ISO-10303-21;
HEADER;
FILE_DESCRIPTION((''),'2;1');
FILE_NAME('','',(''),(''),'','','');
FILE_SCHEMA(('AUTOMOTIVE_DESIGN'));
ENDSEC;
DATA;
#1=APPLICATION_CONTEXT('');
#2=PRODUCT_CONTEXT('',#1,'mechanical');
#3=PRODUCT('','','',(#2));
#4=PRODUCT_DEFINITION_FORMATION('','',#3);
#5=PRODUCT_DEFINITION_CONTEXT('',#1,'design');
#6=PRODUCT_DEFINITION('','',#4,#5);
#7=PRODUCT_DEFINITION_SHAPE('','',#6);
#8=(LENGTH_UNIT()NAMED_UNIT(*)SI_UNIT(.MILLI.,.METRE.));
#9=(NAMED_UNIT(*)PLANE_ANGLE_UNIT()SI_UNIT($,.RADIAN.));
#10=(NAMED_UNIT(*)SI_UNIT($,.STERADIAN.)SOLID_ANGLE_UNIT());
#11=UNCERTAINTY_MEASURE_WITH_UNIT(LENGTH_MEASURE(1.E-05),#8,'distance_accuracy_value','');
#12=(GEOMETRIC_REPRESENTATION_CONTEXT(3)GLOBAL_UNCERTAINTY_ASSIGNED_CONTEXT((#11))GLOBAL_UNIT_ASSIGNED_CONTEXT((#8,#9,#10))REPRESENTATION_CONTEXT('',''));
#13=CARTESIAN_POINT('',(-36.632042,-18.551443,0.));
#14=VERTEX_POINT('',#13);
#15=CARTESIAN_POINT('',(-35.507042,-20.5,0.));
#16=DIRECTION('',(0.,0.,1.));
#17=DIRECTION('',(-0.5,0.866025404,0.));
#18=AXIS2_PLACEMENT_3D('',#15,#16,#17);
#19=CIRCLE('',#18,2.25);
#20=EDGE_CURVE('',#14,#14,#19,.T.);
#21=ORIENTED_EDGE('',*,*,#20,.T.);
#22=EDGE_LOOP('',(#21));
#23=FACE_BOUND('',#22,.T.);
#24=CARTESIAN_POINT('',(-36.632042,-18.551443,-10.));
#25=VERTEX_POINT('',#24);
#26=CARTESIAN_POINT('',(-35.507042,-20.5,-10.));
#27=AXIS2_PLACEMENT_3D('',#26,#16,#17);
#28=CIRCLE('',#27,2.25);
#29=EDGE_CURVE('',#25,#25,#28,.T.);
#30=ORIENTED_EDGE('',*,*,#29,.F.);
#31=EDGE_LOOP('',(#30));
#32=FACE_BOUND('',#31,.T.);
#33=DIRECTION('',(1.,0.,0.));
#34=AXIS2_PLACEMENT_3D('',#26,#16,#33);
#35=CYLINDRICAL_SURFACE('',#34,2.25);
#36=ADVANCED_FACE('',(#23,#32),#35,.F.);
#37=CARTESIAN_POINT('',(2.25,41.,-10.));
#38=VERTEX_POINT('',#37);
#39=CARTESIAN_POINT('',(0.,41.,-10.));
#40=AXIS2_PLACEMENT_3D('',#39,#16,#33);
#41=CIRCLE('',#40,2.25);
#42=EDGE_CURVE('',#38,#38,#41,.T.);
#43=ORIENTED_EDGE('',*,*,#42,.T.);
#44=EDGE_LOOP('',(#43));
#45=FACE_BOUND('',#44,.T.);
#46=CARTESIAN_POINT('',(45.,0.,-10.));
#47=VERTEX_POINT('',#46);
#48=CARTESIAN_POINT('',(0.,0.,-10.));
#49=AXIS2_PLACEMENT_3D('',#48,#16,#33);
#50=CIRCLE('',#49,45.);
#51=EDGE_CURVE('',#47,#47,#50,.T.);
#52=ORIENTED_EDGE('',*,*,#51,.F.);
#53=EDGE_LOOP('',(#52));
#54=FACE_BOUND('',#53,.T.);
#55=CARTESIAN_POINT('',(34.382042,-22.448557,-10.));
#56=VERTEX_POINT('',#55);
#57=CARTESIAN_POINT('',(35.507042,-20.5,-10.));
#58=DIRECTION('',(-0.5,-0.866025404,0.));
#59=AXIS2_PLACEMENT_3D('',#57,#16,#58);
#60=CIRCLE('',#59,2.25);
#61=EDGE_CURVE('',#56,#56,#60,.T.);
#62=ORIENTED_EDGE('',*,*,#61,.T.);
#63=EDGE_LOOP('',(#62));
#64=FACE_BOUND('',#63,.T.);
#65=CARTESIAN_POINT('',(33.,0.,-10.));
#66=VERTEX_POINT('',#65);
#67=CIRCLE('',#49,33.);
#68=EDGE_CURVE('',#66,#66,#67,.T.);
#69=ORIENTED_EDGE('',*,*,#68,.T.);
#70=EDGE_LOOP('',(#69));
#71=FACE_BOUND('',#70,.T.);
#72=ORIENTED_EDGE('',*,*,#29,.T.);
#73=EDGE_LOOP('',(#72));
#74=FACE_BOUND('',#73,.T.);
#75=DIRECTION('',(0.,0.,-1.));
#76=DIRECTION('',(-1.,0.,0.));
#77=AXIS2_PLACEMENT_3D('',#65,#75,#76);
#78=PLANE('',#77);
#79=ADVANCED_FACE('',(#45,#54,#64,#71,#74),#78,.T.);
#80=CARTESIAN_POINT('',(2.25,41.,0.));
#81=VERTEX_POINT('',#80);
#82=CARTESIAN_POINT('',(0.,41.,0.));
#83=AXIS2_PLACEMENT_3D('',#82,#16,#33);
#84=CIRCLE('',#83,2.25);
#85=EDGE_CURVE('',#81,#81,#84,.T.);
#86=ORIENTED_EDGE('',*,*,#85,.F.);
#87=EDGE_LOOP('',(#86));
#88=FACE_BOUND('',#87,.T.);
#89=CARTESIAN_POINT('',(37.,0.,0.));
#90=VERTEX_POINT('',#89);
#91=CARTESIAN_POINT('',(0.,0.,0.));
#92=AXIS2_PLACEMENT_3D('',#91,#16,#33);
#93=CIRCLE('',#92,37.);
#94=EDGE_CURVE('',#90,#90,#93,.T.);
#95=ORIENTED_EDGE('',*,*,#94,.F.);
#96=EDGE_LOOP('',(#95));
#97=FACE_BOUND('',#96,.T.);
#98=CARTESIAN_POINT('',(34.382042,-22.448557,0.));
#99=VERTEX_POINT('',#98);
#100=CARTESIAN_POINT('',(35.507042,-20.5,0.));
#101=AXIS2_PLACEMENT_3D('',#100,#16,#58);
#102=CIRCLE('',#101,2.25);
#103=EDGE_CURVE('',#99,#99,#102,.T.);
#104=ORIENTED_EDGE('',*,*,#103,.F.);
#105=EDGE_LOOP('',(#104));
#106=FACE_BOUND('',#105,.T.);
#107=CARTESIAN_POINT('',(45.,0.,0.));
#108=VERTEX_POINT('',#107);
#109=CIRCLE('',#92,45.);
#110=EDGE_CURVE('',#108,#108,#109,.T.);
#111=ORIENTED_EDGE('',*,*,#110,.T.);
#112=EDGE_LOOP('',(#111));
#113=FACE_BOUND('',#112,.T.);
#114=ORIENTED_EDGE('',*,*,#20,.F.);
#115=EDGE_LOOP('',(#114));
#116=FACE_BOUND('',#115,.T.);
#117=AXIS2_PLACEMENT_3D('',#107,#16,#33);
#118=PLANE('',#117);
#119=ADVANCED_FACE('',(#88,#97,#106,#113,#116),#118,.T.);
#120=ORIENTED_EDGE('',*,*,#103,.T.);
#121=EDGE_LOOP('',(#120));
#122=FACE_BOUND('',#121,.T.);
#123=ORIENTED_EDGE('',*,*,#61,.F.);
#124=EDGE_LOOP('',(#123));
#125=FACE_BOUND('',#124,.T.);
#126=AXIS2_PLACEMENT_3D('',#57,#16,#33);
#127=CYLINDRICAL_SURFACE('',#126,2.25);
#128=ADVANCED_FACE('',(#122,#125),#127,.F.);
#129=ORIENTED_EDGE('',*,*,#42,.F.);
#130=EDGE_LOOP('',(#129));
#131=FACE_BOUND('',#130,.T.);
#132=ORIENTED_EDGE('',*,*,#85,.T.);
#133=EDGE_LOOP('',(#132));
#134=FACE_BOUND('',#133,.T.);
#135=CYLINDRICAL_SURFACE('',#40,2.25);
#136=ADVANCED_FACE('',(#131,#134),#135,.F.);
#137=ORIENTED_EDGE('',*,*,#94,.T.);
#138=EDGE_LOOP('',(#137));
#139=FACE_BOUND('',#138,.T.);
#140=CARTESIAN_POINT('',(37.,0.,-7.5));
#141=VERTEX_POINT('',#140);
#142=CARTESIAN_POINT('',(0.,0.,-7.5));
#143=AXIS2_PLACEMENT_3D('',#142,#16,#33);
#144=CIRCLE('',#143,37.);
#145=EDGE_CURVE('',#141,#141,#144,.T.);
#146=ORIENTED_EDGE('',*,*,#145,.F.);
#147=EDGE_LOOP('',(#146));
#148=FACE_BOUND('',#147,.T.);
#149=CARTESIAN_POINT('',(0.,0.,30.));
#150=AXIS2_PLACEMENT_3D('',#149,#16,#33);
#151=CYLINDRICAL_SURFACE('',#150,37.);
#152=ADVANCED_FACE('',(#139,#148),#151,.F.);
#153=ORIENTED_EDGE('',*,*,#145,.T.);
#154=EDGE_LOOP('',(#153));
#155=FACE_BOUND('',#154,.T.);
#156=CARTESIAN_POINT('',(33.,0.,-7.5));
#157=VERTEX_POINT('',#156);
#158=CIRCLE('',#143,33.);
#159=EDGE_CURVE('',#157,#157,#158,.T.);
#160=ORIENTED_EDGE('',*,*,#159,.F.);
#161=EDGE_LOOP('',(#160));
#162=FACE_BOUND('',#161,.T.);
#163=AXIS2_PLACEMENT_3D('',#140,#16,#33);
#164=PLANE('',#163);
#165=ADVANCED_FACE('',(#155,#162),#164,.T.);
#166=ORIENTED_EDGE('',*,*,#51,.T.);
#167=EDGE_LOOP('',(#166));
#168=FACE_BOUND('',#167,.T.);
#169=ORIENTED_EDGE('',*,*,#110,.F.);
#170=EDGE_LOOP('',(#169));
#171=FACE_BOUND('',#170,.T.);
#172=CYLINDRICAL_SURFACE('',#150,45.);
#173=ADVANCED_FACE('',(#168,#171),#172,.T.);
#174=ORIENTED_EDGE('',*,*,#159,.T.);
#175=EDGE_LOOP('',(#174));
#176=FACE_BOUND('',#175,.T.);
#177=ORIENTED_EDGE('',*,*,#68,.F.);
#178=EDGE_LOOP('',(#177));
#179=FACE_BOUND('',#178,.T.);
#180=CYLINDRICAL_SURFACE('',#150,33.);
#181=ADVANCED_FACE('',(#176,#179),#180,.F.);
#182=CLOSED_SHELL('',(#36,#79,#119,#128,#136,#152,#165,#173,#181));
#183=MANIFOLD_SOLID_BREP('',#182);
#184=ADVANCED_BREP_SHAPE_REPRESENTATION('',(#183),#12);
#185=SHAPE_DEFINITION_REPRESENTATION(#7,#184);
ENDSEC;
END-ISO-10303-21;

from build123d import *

# Parameters (mm, degrees)
ESQUISSE2_R                  = 2.25
ENL_V_MAT_EXTRU_1_DEPTH      = 65.420493634
R_P_TITION_CIRCULAIRE1_COUNT = 3


with BuildPart() as part:
    # Esquisse1 → Base-Révolution (revolve)
    with BuildSketch(Plane(origin=(0, 0, 0), x_dir=(1, 0, 0), z_dir=(0, 1, 0))):
        Polygon((33, 10), (45, 10), (45, 0), (37, 0), (37, 7.5), (33, 7.5), align=None)
    revolve(axis=Axis((0, 0, 30), (0, 0, -1)))

    # Esquisse2 → Enlèv. mat.-Extru.1 (cut, through all)
    with BuildSketch(Plane.XY):
        with Locations((0, 41)):
            Circle(ESQUISSE2_R)
    enl_v_mat_extru_1 = extrude(amount=-ENL_V_MAT_EXTRU_1_DEPTH, mode=Mode.SUBTRACT)

    # Répétition circulaire1: Enlèv. mat.-Extru.1 ×3 about axis
    r_p_tition_circulaire1_axis = Axis((0, 0, 0), (0, 0, 1))
    for i in range(1, R_P_TITION_CIRCULAIRE1_COUNT):
        add(enl_v_mat_extru_1.rotate(r_p_tition_circulaire1_axis, i * 360 / R_P_TITION_CIRCULAIRE1_COUNT), mode=Mode.SUBTRACT)


solid = part.part
